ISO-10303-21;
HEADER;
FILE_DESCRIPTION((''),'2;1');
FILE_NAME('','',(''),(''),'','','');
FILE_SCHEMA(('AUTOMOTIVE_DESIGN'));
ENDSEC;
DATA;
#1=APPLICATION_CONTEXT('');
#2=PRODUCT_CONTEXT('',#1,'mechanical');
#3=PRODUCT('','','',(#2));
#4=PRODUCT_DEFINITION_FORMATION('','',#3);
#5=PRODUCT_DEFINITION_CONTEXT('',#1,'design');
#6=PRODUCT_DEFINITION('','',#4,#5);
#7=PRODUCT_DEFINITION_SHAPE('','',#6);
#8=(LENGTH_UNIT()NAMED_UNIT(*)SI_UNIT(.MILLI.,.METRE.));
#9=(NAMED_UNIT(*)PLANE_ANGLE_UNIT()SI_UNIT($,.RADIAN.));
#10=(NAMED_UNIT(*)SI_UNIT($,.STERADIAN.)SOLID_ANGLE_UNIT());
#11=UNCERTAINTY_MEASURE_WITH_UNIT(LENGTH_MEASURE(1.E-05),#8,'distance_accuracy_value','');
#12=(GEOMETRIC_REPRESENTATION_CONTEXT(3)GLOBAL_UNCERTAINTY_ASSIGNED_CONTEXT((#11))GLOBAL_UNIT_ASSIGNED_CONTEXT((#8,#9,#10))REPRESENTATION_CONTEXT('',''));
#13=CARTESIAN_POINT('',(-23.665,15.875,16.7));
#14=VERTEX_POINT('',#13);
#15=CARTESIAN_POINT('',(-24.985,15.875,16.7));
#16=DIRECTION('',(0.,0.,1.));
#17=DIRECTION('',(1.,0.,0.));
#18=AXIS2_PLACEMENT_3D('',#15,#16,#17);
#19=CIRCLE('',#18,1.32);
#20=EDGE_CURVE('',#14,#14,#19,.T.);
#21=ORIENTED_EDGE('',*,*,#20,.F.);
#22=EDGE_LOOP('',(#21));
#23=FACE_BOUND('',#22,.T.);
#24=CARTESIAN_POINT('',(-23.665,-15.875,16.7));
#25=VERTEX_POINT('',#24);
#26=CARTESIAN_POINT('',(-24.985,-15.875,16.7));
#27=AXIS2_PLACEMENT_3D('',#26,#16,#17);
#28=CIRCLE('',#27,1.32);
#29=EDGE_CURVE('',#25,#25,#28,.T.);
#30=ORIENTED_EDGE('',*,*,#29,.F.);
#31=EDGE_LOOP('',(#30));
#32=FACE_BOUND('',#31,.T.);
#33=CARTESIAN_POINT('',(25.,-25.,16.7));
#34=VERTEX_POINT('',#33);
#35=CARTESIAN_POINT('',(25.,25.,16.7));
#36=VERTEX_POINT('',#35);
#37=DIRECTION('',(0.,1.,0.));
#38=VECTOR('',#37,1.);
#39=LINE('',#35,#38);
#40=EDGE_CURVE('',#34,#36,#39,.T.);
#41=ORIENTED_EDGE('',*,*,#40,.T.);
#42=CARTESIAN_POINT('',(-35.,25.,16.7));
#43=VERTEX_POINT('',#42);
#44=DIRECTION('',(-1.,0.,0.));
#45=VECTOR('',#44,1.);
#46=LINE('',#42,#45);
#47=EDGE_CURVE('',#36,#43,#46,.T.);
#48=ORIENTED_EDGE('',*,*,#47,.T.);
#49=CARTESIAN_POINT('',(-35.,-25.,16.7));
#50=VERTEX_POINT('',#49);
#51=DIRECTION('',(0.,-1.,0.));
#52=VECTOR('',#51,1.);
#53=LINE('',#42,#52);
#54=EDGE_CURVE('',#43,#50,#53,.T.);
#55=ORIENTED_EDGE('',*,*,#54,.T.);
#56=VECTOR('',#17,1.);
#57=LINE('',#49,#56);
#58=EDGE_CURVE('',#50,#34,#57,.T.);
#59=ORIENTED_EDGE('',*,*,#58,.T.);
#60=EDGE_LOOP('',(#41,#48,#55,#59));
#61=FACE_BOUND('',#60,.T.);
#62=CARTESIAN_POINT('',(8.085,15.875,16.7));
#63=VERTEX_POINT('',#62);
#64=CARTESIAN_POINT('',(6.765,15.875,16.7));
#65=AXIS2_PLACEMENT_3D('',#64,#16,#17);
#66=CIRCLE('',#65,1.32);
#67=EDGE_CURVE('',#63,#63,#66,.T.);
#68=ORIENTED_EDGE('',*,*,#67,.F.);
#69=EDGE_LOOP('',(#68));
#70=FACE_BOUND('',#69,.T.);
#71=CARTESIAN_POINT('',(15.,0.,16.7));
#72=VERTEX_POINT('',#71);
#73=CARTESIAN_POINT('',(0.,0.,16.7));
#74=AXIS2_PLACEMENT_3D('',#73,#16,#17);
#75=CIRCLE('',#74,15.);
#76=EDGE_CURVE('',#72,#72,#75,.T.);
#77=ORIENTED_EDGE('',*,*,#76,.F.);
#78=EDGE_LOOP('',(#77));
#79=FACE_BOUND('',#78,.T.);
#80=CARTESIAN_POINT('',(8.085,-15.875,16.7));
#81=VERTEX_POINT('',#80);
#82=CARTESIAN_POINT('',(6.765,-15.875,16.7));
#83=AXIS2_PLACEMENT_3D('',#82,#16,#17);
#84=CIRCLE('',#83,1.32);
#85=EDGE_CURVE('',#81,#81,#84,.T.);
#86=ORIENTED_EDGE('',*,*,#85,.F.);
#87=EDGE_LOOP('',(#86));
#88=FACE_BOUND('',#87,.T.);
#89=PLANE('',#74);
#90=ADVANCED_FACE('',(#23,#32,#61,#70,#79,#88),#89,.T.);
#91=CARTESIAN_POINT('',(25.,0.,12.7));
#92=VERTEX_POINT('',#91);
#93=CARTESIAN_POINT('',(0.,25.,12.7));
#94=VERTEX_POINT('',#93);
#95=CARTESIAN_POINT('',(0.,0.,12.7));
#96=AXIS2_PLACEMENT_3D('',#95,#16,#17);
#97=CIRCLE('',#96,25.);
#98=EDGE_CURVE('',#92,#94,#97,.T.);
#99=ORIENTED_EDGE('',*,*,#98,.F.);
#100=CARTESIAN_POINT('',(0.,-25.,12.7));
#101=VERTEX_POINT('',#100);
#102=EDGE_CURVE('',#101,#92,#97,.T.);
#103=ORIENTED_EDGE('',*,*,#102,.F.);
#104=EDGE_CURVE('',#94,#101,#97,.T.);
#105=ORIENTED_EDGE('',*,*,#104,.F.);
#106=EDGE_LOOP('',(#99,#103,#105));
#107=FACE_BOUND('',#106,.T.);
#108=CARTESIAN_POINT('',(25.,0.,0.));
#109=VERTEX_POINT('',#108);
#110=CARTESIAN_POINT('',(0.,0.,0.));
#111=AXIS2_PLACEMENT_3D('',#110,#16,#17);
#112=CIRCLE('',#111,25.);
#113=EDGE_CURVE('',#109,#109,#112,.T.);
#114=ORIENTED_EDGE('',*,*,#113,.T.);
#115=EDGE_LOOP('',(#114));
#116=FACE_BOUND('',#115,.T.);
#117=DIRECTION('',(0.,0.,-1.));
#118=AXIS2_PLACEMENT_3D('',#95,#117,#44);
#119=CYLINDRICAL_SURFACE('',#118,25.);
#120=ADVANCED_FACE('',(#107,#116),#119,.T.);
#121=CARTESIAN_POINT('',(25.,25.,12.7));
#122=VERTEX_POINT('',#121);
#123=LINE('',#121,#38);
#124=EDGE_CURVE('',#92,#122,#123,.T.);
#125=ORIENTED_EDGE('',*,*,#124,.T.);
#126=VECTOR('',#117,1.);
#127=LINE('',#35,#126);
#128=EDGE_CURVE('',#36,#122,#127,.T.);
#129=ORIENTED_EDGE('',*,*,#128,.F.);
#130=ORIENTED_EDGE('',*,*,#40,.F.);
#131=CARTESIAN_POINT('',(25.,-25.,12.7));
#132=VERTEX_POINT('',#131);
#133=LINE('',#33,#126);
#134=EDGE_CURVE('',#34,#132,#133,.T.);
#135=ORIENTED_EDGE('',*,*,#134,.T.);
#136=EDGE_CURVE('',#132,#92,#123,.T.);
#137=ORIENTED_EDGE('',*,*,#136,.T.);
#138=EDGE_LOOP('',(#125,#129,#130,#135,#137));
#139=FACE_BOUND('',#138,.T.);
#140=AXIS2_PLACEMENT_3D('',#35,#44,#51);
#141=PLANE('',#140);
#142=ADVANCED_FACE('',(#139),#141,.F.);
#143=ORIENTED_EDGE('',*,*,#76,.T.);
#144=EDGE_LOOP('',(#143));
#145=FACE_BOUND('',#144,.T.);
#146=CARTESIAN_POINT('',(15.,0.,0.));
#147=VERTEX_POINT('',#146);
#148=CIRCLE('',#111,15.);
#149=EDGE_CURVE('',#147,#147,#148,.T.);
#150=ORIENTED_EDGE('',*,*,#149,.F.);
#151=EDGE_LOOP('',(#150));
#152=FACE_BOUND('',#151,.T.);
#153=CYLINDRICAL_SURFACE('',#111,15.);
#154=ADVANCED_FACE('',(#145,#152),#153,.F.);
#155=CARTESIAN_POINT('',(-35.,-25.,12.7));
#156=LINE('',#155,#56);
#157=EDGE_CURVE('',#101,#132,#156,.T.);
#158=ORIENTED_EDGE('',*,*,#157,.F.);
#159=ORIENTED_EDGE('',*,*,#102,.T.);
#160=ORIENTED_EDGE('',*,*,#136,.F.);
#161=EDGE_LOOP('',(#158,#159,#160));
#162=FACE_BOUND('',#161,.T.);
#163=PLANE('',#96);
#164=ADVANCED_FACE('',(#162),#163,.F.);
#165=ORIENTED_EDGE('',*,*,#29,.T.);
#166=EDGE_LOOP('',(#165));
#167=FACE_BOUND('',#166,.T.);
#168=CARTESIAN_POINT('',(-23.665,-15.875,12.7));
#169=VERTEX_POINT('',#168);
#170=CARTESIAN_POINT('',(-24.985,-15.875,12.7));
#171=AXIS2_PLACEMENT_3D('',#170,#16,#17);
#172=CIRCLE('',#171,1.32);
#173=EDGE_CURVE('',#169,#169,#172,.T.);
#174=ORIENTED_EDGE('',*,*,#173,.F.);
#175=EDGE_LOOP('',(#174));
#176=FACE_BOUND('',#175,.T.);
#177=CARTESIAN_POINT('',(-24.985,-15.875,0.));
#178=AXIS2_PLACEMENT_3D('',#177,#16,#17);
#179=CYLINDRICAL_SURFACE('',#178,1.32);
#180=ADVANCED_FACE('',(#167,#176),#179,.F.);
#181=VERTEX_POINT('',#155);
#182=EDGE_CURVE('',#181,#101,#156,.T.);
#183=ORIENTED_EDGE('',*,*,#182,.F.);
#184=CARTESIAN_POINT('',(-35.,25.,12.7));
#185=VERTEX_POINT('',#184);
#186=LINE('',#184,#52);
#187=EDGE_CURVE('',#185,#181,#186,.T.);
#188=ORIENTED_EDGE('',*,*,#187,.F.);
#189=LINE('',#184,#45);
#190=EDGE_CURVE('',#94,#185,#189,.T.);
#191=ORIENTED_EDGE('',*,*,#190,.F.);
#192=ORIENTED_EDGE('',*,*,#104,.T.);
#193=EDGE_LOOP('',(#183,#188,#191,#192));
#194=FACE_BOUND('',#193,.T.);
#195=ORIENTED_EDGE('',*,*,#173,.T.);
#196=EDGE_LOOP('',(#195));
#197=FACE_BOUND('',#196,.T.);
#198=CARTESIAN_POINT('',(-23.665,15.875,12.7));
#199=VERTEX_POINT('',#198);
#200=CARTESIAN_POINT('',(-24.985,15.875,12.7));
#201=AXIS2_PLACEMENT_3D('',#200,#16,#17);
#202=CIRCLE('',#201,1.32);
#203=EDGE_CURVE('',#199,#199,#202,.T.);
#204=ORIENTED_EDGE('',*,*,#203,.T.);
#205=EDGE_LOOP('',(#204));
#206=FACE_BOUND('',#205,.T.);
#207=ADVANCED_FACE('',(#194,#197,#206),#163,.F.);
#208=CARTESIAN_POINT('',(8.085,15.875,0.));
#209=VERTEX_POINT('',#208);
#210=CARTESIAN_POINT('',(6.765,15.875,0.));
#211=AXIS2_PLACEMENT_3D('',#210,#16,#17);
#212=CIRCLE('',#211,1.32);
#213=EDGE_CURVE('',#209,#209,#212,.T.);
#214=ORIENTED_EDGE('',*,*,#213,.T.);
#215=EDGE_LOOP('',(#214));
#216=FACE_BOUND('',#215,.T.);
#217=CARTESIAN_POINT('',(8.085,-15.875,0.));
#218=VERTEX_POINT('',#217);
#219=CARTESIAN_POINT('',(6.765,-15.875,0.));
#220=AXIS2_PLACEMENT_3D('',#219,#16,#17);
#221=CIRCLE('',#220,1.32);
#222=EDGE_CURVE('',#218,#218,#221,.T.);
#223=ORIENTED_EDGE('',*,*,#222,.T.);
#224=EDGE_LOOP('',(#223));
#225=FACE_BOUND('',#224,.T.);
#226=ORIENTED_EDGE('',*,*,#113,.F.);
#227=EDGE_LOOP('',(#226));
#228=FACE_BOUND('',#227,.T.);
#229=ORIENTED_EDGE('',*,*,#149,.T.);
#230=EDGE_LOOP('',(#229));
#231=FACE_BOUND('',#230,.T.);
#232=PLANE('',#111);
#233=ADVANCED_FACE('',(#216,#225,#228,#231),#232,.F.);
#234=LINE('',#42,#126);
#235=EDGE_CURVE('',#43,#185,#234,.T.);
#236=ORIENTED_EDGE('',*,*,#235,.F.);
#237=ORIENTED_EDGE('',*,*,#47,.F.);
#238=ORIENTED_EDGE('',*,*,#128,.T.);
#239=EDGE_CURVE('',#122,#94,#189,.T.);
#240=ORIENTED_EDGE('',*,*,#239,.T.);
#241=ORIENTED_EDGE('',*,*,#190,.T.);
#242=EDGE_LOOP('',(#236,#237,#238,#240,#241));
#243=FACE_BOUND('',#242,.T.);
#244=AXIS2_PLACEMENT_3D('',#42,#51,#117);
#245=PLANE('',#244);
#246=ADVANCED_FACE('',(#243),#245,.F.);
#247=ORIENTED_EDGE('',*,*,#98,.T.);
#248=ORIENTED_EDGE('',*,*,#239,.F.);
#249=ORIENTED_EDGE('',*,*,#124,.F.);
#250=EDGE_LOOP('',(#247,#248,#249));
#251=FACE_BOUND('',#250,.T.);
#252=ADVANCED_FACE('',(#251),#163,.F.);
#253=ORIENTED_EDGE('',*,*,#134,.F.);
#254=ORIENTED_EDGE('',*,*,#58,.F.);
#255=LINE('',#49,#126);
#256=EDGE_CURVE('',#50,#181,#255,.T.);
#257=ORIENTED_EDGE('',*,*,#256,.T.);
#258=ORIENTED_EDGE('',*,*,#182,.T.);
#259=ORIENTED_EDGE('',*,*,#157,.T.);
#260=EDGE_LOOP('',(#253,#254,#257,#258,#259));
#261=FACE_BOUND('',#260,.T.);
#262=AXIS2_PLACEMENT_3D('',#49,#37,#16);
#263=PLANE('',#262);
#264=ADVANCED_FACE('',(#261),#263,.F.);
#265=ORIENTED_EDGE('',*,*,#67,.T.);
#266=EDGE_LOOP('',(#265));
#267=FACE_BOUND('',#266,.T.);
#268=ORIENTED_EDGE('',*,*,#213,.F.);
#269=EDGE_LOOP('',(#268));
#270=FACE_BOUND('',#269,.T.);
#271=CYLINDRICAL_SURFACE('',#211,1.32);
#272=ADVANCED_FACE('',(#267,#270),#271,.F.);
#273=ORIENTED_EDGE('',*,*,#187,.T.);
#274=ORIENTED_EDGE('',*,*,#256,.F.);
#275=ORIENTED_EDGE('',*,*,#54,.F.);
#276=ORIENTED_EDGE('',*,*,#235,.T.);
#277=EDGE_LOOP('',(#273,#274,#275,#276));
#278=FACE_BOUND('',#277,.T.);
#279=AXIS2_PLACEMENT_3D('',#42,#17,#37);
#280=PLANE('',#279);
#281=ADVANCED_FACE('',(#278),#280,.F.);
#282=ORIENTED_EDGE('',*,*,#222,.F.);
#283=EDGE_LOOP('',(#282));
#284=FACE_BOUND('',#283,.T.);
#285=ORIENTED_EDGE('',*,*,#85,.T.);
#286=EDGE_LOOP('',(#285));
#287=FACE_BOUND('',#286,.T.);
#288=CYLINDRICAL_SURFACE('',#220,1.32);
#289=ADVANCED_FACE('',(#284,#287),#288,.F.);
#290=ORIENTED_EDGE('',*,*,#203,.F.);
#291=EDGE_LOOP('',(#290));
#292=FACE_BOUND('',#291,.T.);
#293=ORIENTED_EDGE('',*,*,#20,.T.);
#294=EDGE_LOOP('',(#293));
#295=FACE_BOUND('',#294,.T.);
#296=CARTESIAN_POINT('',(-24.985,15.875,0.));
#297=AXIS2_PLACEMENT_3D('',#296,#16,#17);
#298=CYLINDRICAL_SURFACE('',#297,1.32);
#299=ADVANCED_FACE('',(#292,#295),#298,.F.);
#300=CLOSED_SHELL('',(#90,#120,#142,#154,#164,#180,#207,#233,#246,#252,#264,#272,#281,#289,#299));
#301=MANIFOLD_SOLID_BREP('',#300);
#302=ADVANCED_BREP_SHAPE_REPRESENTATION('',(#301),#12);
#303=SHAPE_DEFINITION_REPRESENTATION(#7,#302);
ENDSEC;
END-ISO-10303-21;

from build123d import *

# Parameters (mm, degrees)
SKETCH1_R           = 25
BOSS_EXTRUDE1_DEPTH = 12.7
SKETCH2_W           = 60
SKETCH2_H           = 50
BOSS_EXTRUDE2_DEPTH = 4
SKETCH3_R           = 1.32
CUT_EXTRUDE1_DEPTH  = 17.7
SKETCH4_R           = 15
CUT_EXTRUDE2_DEPTH  = 17.7


with BuildPart() as part:
    # Sketch1 → Boss-Extrude1 (new body)
    with BuildSketch(Plane.XY):
        Circle(SKETCH1_R)
    extrude(amount=BOSS_EXTRUDE1_DEPTH)

    # Sketch2 → Boss-Extrude2 (add)
    with BuildSketch(Plane.XY.offset(12.7)):
        with Locations((-5, 0)):
            Rectangle(SKETCH2_W, SKETCH2_H)
    extrude(amount=BOSS_EXTRUDE2_DEPTH)

    # Sketch3 → Cut-Extrude1 (cut, through all)
    with BuildSketch(Plane.XY.offset(16.7)):
        with Locations((-24.985, 15.875)):
            Circle(SKETCH3_R)
        with Locations((6.765, 15.875)):
            Circle(SKETCH3_R)
        with Locations((6.765, -15.875)):
            Circle(SKETCH3_R)
        with Locations((-24.985, -15.875)):
            Circle(SKETCH3_R)
    extrude(amount=-CUT_EXTRUDE1_DEPTH, mode=Mode.SUBTRACT)

    # Sketch4 → Cut-Extrude2 (cut, through all)
    with BuildSketch(Plane.XY.offset(16.7)):
        Circle(SKETCH4_R)
    extrude(amount=-CUT_EXTRUDE2_DEPTH, mode=Mode.SUBTRACT)


solid = part.part
